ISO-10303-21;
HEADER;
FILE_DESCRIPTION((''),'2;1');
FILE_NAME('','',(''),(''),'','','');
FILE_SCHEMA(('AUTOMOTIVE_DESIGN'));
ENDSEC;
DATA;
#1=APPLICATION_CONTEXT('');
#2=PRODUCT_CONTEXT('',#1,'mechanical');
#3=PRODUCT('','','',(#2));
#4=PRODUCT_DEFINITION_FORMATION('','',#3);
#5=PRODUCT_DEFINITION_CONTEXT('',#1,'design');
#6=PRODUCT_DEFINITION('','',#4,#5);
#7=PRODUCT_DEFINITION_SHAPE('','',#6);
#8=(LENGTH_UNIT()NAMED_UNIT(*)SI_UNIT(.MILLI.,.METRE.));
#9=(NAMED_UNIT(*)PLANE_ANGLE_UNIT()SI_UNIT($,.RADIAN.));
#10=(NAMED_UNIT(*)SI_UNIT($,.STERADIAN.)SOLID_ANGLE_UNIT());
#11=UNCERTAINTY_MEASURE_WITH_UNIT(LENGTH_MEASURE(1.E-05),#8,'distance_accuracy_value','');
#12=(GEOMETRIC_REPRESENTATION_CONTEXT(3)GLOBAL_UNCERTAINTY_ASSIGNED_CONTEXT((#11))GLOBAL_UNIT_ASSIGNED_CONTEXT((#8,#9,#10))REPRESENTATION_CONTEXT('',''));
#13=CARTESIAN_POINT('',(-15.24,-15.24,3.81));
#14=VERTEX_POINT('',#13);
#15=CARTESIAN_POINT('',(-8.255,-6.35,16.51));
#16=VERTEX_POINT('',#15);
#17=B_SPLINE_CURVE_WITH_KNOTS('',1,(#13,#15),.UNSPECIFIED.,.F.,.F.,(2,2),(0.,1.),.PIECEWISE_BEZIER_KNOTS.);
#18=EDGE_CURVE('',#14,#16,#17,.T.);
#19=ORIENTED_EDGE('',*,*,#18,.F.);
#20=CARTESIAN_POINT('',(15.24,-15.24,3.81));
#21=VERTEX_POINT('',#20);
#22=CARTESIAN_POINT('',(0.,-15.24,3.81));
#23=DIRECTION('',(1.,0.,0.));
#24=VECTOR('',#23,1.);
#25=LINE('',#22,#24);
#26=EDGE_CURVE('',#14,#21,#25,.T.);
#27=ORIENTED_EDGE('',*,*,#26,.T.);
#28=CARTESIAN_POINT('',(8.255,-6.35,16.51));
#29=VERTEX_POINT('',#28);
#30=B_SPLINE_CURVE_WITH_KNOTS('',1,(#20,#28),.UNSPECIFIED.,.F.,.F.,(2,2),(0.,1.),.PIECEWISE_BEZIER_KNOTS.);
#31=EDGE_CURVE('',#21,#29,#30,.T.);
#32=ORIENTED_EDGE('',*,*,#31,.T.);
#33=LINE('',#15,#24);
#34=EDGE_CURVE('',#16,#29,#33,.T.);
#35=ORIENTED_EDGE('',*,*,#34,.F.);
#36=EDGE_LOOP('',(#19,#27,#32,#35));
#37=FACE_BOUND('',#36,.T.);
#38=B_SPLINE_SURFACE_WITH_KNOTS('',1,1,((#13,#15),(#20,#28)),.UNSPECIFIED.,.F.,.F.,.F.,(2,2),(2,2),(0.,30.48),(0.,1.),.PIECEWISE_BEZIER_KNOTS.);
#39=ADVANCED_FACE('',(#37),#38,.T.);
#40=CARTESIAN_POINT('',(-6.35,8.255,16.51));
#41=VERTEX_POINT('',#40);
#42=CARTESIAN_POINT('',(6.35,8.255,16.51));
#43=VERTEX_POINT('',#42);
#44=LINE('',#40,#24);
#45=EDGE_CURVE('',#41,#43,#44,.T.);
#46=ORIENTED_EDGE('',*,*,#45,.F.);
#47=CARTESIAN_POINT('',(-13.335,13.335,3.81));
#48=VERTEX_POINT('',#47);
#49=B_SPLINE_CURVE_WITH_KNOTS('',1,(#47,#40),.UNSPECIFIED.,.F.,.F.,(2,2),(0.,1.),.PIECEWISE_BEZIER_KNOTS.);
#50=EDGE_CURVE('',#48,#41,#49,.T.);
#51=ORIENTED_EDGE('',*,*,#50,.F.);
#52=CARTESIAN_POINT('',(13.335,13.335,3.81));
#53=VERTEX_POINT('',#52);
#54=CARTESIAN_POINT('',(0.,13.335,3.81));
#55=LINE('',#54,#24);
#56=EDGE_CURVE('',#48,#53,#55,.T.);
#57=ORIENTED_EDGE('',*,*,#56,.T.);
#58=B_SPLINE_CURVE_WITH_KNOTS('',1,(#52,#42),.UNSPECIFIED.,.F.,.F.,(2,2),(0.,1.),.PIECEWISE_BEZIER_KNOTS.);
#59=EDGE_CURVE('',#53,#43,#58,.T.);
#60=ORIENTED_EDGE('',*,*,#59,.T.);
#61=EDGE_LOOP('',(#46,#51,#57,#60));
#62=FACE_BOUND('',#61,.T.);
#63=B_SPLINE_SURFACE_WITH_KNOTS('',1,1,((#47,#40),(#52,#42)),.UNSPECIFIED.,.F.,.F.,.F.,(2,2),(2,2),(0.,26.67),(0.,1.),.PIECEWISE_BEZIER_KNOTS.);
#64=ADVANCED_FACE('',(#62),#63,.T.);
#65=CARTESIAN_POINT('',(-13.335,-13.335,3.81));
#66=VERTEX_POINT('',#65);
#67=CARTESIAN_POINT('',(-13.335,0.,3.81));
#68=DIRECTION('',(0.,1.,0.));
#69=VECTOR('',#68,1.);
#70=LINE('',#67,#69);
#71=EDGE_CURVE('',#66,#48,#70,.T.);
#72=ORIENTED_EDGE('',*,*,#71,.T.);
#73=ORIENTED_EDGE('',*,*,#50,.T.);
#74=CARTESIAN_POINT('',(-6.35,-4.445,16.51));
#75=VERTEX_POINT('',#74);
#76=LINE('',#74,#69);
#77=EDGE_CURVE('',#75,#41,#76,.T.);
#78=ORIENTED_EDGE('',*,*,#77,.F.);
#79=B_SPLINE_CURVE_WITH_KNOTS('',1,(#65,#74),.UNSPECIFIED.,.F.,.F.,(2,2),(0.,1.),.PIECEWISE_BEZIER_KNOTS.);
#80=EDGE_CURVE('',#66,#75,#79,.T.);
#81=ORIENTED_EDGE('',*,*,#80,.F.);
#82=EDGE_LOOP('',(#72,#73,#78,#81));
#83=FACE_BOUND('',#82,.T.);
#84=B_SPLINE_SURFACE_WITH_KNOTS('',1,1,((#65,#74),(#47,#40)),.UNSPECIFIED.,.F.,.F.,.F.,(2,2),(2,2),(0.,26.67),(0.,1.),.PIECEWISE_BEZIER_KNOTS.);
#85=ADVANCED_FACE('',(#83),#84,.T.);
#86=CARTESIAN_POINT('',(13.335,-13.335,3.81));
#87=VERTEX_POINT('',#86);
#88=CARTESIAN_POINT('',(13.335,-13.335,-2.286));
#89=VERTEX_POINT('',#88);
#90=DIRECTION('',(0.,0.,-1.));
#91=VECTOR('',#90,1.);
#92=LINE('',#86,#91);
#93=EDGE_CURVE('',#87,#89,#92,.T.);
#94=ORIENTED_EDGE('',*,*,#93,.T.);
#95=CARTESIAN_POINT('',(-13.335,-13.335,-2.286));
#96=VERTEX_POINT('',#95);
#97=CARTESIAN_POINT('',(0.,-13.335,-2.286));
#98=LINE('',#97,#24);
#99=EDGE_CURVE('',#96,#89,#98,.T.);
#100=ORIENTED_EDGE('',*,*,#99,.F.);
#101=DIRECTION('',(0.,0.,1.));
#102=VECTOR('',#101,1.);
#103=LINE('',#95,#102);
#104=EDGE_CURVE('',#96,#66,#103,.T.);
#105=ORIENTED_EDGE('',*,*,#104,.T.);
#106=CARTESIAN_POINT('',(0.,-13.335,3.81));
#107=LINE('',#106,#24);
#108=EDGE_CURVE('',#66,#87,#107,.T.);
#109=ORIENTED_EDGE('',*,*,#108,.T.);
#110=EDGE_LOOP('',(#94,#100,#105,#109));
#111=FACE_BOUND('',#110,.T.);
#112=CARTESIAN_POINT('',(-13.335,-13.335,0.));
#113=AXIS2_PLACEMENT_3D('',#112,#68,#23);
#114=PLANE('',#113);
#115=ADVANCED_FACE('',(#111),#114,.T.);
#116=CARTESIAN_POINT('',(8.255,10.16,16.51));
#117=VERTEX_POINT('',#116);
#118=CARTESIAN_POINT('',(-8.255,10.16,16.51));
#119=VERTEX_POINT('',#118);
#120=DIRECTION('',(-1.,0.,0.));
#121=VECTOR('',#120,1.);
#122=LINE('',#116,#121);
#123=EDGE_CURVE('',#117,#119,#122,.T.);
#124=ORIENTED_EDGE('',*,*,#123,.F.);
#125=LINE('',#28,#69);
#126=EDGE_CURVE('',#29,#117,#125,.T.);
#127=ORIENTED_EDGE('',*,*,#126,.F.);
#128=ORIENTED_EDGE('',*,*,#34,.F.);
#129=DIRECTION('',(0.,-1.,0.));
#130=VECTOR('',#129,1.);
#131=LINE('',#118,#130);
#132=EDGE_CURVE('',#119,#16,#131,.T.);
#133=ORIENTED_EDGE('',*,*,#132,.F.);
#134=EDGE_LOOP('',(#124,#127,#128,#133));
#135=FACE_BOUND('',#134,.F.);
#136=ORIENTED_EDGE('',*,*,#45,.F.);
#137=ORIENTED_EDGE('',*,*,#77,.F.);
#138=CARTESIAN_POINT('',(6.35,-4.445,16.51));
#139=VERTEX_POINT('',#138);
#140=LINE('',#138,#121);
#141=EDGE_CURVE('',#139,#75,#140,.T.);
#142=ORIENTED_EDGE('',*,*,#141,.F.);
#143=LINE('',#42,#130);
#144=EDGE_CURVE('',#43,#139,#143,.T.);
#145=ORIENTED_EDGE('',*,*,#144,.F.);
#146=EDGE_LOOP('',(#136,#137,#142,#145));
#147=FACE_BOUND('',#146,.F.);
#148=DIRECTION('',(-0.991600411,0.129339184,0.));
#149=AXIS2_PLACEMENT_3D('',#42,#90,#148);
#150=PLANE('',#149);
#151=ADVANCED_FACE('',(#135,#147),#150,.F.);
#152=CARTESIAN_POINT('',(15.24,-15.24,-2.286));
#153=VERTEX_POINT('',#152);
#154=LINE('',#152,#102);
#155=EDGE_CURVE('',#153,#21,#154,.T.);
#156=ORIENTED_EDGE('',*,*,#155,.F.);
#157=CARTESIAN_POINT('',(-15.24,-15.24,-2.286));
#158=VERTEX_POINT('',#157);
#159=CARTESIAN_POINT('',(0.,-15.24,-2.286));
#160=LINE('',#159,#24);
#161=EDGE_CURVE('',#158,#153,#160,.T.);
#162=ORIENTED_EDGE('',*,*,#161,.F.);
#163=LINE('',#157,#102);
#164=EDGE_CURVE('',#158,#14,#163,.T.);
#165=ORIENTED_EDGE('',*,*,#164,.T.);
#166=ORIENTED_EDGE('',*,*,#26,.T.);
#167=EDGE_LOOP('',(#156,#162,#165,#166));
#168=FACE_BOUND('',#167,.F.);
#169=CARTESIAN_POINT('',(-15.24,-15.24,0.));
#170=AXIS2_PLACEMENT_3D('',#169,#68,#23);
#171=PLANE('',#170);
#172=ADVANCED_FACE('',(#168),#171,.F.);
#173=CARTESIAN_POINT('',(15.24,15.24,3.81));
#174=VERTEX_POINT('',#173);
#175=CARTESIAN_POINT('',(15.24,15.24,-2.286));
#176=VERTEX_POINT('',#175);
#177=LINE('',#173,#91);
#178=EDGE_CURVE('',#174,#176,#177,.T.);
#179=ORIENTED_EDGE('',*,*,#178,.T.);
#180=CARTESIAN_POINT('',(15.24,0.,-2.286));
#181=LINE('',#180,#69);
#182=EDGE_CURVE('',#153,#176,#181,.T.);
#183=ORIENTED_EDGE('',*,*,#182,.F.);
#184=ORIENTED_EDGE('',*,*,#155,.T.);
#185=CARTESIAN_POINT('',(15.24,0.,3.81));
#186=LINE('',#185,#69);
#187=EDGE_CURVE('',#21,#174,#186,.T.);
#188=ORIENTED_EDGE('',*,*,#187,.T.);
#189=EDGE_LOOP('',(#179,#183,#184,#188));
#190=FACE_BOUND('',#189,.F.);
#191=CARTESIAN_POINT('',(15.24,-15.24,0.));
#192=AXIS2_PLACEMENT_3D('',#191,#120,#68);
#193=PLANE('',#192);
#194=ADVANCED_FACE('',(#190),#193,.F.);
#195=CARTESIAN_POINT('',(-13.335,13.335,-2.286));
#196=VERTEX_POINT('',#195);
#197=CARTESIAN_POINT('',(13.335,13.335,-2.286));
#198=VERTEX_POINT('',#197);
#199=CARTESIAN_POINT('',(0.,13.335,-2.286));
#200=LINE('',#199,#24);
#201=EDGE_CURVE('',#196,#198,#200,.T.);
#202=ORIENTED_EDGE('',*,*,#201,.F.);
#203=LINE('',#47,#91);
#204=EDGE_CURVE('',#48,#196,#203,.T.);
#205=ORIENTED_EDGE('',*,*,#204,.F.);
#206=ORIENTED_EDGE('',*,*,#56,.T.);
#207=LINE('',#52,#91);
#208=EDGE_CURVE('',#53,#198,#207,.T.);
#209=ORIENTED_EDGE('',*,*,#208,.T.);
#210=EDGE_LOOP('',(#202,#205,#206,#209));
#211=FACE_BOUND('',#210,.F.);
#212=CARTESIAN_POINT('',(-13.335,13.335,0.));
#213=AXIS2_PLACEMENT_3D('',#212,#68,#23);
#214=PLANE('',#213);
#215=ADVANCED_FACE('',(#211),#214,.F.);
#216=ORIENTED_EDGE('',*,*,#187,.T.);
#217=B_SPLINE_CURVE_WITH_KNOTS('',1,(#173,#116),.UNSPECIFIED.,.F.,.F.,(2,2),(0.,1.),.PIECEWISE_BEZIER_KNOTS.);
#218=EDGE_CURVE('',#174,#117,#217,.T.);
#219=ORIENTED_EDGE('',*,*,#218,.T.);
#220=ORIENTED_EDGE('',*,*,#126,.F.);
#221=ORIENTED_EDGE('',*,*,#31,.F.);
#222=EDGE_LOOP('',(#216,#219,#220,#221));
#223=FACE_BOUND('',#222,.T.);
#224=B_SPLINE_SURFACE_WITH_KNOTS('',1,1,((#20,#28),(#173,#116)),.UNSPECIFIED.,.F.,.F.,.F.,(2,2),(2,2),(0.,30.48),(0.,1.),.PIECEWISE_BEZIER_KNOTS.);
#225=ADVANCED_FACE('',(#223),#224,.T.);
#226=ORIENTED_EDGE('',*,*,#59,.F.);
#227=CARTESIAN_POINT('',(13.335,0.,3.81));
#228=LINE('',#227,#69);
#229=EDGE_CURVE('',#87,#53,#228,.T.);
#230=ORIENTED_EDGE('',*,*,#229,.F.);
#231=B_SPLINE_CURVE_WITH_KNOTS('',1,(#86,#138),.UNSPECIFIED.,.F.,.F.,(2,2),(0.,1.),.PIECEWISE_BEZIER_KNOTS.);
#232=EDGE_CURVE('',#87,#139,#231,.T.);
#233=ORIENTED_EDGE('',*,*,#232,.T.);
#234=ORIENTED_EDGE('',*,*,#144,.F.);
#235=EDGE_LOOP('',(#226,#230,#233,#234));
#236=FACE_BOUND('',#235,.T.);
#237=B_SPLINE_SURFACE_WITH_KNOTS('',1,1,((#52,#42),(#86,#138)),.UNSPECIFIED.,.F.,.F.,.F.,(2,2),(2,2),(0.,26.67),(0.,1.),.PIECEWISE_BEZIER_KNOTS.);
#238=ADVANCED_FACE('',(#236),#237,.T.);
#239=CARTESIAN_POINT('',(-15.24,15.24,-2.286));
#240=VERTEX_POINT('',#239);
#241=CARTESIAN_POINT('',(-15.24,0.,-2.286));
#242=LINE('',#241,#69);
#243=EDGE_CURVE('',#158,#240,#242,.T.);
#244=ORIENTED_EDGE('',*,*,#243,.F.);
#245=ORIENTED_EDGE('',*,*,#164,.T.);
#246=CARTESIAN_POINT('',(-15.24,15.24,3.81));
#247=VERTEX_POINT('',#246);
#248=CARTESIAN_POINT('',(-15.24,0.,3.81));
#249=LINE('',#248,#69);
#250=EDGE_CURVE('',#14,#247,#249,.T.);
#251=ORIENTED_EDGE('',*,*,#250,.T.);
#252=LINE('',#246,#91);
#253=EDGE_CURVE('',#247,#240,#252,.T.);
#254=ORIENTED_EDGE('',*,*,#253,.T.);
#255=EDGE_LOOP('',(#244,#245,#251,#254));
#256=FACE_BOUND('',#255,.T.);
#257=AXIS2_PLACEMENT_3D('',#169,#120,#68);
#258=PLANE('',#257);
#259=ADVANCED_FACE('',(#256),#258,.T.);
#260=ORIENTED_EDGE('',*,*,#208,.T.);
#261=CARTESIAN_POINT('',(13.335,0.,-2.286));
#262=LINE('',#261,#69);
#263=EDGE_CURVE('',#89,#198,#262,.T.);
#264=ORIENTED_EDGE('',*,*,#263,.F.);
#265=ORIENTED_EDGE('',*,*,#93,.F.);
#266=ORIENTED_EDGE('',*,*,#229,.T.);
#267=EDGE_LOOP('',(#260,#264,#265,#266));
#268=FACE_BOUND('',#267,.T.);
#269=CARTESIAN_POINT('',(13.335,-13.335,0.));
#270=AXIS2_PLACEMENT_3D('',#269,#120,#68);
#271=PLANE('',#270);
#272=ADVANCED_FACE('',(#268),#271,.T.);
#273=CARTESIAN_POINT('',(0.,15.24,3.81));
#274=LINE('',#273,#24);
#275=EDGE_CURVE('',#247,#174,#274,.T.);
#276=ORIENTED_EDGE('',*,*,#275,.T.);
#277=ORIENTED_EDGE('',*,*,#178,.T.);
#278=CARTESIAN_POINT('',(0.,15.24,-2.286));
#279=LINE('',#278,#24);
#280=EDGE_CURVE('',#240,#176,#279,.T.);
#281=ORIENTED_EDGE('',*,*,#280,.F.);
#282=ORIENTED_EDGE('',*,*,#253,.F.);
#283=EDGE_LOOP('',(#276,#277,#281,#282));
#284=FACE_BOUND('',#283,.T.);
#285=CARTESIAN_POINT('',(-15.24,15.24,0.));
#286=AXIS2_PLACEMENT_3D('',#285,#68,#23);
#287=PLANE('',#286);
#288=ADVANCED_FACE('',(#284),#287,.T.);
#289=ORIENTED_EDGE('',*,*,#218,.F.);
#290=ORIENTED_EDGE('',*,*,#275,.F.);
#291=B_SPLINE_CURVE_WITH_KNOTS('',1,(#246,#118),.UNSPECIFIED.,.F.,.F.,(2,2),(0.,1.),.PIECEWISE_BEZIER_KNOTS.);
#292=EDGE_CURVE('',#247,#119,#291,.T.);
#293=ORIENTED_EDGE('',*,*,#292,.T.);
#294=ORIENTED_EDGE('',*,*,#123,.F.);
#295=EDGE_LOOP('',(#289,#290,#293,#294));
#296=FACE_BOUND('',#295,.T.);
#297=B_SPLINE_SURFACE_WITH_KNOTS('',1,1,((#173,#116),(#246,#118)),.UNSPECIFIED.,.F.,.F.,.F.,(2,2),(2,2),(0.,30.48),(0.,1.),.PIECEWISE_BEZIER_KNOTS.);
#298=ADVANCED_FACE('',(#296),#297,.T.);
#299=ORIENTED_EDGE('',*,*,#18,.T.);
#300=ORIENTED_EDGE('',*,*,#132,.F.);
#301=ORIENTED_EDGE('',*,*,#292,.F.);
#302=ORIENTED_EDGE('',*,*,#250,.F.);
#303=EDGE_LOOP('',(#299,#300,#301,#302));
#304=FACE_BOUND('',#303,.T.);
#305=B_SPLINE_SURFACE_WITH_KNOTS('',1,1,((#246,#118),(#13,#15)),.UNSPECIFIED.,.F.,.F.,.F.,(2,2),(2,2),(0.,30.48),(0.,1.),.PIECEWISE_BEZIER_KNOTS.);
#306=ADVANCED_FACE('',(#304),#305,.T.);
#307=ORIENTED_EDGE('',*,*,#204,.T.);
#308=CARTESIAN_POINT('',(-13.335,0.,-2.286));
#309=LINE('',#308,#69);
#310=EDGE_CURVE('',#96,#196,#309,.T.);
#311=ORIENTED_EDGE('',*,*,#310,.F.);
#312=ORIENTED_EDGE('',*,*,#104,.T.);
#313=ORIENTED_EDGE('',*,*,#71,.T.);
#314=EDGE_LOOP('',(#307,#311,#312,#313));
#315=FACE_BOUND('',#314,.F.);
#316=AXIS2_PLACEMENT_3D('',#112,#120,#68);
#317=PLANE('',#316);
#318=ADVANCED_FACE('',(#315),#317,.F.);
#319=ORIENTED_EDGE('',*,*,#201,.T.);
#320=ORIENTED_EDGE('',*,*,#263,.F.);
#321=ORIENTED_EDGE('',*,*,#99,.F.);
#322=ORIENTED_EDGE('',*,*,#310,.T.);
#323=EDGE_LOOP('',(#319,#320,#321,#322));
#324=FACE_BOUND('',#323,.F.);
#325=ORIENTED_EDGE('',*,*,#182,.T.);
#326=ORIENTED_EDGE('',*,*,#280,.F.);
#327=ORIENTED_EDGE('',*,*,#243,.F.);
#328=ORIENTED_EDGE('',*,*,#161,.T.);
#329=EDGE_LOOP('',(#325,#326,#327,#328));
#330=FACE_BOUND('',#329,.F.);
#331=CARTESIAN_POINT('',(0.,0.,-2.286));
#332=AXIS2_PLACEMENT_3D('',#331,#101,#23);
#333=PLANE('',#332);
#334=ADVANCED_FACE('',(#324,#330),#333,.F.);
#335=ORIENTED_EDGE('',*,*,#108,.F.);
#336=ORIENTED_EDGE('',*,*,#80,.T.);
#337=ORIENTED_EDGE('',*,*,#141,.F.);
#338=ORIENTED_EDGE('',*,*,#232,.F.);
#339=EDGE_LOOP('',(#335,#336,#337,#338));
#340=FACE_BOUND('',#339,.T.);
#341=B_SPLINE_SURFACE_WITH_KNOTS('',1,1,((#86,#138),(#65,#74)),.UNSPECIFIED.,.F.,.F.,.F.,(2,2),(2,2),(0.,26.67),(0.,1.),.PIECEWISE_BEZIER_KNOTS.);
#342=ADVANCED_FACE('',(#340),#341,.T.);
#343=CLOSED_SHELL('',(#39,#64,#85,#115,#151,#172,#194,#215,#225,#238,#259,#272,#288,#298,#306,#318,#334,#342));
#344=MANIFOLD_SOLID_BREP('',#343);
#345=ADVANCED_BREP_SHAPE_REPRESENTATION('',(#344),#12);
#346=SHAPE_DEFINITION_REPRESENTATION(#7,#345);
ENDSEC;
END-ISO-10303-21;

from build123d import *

# Parameters (mm, degrees)
F0_W     = 30.48
F0_H     = 30.48
F0_W_2   = 26.67
F0_H_2   = 26.67
F1_DEPTH = 2.286
F2_DEPTH = 3.81


with BuildPart() as f1:
    # F0 (on Top) → F1 (new body)
    with BuildSketch(Plane.XY):
        Rectangle(F0_W, F0_H)
        Rectangle(F0_W_2, F0_H_2, mode=Mode.SUBTRACT)
    extrude(amount=-F1_DEPTH)

    # F0 (on Top) → F2 (join)
    with BuildSketch(Plane.XY):
        Rectangle(F0_W, F0_H)
        Rectangle(F0_W_2, F0_H_2, mode=Mode.SUBTRACT)
    extrude(amount=F2_DEPTH)

    # F5 (on face) → F6 section 0
    with BuildSketch(Plane.XY.offset(3.81)):
        Polygon((-13.335, 13.335), (-15.24, 15.24), (-15.24, -15.24), (-13.335, -13.335), align=None)
    # F4 (on offset) → F6 section 1
    with BuildSketch(Plane.XY.offset(16.51)):
        Polygon((-6.35, -4.445), (-6.35, 8.255), (-8.255, 10.16), (-8.255, -6.35), align=None)
    loft()

    # F5 (on face) → F7 section 0
    with BuildSketch(Plane.XY.offset(3.81)):
        Polygon((-15.24, -15.24), (15.24, -15.24), (13.335, -13.335), (-13.335, -13.335), align=None)
    # F4 (on offset) → F7 section 1
    with BuildSketch(Plane.XY.offset(16.51)):
        Polygon((8.255, -6.35), (6.35, -4.445), (-6.35, -4.445), (-8.255, -6.35), align=None)
    loft()

    # F5 (on face) → F8 section 0
    with BuildSketch(Plane.XY.offset(3.81)):
        Polygon((15.24, -15.24), (15.24, 15.24), (13.335, 13.335), (13.335, -13.335), align=None)
    # F4 (on offset) → F8 section 1
    with BuildSketch(Plane.XY.offset(16.51)):
        Polygon((8.255, 10.16), (6.35, 8.255), (6.35, -4.445), (8.255, -6.35), align=None)
    loft()

    # F5 (on face) → F9 section 0
    with BuildSketch(Plane.XY.offset(3.81)):
        Polygon((13.335, 13.335), (15.24, 15.24), (-15.24, 15.24), (-13.335, 13.335), align=None)
    # F4 (on offset) → F9 section 1
    with BuildSketch(Plane.XY.offset(16.51)):
        Polygon((-6.35, 8.255), (6.35, 8.255), (8.255, 10.16), (-8.255, 10.16), align=None)
    loft()


solid = f1.part
